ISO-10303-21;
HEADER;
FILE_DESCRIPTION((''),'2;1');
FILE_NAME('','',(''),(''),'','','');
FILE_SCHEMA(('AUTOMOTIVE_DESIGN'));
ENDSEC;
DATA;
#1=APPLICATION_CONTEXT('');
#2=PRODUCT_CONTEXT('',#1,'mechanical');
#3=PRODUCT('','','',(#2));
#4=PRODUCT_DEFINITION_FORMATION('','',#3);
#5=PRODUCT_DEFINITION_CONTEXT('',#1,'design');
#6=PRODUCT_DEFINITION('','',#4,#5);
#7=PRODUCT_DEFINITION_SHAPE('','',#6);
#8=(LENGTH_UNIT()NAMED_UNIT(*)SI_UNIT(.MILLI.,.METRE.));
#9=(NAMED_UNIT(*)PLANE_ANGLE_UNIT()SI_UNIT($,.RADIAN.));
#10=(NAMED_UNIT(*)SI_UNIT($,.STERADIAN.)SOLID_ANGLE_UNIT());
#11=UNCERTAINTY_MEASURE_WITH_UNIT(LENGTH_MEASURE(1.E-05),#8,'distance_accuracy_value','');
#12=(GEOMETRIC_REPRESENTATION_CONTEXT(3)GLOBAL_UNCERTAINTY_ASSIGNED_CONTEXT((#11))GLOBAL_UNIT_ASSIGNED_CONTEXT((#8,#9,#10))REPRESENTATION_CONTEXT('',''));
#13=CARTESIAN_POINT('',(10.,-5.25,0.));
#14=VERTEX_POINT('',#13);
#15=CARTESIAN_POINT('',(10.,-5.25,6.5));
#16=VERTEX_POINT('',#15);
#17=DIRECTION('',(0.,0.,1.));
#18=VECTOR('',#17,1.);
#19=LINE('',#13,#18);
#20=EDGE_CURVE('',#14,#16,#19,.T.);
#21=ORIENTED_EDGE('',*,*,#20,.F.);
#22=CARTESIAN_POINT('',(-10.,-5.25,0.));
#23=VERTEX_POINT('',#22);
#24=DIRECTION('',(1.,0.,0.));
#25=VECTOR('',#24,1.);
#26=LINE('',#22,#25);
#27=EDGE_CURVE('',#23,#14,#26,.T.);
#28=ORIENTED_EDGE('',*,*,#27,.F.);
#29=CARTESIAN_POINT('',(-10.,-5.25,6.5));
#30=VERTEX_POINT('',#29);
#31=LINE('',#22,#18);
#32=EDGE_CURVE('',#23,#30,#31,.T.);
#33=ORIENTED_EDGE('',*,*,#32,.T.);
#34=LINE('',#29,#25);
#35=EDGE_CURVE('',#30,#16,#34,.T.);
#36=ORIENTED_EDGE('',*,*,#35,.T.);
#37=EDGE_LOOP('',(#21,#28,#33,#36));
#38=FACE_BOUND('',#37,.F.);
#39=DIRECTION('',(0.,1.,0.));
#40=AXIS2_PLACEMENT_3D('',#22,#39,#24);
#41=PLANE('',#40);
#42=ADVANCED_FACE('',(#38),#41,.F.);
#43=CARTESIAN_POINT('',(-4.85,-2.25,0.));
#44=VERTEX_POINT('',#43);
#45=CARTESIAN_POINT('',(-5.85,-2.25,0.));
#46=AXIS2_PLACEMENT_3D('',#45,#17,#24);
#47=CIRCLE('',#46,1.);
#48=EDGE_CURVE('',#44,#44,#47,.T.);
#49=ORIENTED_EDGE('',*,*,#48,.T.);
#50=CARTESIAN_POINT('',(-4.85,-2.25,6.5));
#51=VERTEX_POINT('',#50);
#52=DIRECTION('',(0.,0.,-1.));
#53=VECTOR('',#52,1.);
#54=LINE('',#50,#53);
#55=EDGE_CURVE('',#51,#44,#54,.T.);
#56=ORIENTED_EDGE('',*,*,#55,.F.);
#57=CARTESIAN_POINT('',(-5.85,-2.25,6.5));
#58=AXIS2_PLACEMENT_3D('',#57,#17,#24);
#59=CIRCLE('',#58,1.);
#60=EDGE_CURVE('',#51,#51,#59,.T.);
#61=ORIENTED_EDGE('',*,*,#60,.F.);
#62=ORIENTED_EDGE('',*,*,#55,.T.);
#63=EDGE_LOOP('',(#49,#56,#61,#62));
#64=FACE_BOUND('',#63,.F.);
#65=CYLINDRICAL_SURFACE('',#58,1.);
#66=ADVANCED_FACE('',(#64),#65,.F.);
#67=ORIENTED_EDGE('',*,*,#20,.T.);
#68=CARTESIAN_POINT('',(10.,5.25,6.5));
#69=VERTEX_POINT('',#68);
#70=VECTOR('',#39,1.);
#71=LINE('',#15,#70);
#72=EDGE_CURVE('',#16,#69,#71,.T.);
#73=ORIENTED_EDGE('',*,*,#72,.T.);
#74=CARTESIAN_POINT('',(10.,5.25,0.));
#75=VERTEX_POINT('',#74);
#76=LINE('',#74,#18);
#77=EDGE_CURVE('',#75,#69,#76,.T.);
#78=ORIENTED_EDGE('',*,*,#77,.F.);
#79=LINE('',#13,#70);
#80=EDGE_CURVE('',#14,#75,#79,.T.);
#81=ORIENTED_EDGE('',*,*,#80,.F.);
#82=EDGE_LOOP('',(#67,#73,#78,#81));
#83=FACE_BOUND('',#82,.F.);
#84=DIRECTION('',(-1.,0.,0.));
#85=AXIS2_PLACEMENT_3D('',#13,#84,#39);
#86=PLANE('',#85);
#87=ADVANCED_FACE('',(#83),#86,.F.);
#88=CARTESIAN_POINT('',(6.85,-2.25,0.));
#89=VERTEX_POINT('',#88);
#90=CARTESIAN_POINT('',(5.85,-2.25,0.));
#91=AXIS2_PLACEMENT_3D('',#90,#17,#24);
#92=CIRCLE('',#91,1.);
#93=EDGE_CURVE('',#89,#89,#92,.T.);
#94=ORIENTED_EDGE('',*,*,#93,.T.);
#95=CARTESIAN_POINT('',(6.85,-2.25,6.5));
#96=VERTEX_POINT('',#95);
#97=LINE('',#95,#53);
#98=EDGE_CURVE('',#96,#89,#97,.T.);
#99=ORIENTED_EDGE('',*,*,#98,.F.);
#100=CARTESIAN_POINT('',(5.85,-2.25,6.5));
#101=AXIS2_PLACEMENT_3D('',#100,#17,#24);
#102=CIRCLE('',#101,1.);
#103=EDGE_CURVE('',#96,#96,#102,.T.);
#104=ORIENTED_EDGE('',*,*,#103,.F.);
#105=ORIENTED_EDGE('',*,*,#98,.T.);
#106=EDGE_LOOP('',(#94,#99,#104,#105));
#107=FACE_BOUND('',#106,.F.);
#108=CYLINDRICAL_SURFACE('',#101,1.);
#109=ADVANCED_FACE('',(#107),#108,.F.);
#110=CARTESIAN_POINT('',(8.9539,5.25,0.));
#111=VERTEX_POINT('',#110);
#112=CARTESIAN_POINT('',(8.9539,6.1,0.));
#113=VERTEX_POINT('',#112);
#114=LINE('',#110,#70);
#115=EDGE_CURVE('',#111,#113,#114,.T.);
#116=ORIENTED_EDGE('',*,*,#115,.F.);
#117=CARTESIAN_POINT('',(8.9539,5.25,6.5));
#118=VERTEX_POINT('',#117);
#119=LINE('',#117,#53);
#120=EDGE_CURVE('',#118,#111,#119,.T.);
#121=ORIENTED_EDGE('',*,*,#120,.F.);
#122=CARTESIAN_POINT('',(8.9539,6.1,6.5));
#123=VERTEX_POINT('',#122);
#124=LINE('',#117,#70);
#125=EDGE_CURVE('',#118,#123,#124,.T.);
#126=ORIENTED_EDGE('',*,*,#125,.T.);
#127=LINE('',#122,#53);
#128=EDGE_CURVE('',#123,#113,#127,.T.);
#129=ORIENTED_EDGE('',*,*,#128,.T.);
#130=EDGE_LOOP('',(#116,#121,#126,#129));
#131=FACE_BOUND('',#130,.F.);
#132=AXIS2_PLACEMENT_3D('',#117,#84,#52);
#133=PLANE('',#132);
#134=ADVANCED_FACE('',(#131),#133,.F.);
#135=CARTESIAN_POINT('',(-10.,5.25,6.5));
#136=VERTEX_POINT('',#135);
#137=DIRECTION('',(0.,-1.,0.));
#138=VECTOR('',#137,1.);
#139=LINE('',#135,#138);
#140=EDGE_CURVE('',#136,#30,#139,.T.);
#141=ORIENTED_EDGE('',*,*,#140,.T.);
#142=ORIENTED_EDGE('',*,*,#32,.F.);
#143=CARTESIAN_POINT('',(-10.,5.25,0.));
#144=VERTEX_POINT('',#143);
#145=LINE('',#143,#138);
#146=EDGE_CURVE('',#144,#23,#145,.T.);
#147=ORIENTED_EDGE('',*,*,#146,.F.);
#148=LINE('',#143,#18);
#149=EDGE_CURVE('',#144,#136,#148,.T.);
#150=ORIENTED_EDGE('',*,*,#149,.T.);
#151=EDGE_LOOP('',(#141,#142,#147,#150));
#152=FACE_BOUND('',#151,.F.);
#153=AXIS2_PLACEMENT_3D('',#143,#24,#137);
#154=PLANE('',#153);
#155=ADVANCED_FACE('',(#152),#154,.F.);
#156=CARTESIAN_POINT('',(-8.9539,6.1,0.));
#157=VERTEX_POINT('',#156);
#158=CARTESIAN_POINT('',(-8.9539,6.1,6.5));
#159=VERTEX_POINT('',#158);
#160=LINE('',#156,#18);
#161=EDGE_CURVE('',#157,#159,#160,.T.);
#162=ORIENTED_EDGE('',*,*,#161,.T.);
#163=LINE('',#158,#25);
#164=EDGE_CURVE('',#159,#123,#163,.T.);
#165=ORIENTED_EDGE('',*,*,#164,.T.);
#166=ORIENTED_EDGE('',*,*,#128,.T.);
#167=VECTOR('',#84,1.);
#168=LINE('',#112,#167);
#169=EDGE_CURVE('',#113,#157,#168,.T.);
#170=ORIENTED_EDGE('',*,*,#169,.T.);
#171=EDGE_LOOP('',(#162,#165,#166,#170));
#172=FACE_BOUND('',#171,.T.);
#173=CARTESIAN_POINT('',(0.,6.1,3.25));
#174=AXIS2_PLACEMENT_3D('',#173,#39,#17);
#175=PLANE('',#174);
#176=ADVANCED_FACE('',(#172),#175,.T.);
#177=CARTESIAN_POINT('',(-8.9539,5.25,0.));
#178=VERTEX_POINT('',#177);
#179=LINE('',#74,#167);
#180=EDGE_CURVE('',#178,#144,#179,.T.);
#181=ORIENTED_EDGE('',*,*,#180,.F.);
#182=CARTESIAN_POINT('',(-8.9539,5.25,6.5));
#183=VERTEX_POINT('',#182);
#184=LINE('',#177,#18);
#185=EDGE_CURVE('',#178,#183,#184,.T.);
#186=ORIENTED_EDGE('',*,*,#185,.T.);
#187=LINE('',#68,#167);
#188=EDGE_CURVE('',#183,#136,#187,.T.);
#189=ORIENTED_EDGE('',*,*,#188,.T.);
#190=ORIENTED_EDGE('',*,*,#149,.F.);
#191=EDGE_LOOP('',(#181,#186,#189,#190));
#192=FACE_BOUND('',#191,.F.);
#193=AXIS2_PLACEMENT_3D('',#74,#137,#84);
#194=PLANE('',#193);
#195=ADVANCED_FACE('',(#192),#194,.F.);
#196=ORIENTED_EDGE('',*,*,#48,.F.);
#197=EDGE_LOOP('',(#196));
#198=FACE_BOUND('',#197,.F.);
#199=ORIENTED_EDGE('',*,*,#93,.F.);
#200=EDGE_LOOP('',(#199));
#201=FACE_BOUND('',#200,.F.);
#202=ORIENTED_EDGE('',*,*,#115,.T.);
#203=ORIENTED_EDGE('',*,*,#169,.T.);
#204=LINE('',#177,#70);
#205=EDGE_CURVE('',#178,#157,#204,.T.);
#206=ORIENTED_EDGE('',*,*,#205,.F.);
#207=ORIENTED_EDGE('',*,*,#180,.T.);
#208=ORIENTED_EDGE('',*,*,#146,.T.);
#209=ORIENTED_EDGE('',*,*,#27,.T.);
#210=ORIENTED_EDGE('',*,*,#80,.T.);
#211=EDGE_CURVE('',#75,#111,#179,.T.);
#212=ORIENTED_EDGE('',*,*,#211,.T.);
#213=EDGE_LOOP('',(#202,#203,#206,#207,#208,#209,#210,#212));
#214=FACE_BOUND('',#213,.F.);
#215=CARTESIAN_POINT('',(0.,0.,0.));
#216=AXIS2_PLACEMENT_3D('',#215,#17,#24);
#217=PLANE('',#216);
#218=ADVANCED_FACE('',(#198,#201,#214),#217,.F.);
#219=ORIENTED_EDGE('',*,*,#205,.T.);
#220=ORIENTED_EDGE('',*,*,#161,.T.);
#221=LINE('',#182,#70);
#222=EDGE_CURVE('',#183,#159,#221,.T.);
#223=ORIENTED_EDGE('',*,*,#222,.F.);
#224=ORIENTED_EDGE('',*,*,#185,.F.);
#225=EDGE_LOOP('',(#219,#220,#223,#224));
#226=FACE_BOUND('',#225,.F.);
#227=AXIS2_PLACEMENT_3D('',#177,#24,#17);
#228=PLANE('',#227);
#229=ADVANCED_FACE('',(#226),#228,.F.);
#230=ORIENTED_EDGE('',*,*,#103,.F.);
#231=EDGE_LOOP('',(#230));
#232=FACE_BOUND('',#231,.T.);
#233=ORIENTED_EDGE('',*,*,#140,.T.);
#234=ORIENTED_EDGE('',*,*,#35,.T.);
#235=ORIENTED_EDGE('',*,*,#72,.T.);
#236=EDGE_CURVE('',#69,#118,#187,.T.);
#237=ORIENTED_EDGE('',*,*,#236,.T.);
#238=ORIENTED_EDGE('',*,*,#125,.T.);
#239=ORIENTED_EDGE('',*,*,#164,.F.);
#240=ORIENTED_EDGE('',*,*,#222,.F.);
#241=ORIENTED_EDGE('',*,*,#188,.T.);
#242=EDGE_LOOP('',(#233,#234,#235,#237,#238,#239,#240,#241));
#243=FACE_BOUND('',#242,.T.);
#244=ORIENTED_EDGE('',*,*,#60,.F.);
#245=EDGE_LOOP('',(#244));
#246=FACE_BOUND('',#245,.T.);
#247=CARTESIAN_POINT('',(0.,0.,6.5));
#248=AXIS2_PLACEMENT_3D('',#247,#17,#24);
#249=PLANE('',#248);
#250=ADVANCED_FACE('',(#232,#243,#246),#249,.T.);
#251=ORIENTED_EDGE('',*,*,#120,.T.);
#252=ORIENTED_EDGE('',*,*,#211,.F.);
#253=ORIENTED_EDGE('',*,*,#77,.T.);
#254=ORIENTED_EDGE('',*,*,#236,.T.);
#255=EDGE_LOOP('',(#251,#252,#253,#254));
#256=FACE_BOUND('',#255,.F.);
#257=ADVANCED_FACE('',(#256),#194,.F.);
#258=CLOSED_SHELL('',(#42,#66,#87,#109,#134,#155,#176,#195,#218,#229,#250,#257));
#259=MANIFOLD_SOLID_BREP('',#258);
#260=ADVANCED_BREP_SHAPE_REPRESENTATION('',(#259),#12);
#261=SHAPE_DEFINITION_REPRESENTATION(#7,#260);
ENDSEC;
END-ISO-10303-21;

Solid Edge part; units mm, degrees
sketch "Sketch1" plane through (0, 0, 0) normal (0, 0, 1) x (1, 0, 0)
  line L0 (-10, -5.25) -> (10, -5.25)
  line L1 (10, -5.25) -> (10, 5.25)
  line L2 (10, 5.25) -> (-10, 5.25)
  line L3 (-10, 5.25) -> (-10, -5.25)
  dimension "D1" = 20
  dimension "D2" = 10
  dimension "D3" = 5.25
  dimension "D4" = 5.25
extrude "Protrusion1" add sketch "Sketch1" along normal blind 6.5
sketch "Sketch2" plane through (0, 0, 6.5) normal (0, 0, 1) x (1, 0, 0)
  circle A0 centre (5.85, -2.25) radius 1
  circle A1 centre (-5.85, -2.25) radius 1
  dimension "D1" = 3
  dimension "D2" = 3
  dimension "D3" = 5.85
  dimension "D4" = 5.85
extrude "ExtrudedCutout_1" cut sketch "Sketch2" against normal blind 40.1808
sketch "Sketch3" plane through (0, 5.25, 3.25) normal (0, 1, 0) x (1, 0, 0)
  line L0 (-8.9539, 3.25) -> (-8.9539, -3.25)
  line L1 (-8.9539, -3.25) -> (8.9539, -3.25)
  line L2 (8.9539, -3.25) -> (8.9539, 3.25)
  line L3 (8.9539, 3.25) -> (-8.9539, 3.25)
extrude "ExtrudedProtrusion_2" add sketch "Sketch3" along normal blind 0.85
